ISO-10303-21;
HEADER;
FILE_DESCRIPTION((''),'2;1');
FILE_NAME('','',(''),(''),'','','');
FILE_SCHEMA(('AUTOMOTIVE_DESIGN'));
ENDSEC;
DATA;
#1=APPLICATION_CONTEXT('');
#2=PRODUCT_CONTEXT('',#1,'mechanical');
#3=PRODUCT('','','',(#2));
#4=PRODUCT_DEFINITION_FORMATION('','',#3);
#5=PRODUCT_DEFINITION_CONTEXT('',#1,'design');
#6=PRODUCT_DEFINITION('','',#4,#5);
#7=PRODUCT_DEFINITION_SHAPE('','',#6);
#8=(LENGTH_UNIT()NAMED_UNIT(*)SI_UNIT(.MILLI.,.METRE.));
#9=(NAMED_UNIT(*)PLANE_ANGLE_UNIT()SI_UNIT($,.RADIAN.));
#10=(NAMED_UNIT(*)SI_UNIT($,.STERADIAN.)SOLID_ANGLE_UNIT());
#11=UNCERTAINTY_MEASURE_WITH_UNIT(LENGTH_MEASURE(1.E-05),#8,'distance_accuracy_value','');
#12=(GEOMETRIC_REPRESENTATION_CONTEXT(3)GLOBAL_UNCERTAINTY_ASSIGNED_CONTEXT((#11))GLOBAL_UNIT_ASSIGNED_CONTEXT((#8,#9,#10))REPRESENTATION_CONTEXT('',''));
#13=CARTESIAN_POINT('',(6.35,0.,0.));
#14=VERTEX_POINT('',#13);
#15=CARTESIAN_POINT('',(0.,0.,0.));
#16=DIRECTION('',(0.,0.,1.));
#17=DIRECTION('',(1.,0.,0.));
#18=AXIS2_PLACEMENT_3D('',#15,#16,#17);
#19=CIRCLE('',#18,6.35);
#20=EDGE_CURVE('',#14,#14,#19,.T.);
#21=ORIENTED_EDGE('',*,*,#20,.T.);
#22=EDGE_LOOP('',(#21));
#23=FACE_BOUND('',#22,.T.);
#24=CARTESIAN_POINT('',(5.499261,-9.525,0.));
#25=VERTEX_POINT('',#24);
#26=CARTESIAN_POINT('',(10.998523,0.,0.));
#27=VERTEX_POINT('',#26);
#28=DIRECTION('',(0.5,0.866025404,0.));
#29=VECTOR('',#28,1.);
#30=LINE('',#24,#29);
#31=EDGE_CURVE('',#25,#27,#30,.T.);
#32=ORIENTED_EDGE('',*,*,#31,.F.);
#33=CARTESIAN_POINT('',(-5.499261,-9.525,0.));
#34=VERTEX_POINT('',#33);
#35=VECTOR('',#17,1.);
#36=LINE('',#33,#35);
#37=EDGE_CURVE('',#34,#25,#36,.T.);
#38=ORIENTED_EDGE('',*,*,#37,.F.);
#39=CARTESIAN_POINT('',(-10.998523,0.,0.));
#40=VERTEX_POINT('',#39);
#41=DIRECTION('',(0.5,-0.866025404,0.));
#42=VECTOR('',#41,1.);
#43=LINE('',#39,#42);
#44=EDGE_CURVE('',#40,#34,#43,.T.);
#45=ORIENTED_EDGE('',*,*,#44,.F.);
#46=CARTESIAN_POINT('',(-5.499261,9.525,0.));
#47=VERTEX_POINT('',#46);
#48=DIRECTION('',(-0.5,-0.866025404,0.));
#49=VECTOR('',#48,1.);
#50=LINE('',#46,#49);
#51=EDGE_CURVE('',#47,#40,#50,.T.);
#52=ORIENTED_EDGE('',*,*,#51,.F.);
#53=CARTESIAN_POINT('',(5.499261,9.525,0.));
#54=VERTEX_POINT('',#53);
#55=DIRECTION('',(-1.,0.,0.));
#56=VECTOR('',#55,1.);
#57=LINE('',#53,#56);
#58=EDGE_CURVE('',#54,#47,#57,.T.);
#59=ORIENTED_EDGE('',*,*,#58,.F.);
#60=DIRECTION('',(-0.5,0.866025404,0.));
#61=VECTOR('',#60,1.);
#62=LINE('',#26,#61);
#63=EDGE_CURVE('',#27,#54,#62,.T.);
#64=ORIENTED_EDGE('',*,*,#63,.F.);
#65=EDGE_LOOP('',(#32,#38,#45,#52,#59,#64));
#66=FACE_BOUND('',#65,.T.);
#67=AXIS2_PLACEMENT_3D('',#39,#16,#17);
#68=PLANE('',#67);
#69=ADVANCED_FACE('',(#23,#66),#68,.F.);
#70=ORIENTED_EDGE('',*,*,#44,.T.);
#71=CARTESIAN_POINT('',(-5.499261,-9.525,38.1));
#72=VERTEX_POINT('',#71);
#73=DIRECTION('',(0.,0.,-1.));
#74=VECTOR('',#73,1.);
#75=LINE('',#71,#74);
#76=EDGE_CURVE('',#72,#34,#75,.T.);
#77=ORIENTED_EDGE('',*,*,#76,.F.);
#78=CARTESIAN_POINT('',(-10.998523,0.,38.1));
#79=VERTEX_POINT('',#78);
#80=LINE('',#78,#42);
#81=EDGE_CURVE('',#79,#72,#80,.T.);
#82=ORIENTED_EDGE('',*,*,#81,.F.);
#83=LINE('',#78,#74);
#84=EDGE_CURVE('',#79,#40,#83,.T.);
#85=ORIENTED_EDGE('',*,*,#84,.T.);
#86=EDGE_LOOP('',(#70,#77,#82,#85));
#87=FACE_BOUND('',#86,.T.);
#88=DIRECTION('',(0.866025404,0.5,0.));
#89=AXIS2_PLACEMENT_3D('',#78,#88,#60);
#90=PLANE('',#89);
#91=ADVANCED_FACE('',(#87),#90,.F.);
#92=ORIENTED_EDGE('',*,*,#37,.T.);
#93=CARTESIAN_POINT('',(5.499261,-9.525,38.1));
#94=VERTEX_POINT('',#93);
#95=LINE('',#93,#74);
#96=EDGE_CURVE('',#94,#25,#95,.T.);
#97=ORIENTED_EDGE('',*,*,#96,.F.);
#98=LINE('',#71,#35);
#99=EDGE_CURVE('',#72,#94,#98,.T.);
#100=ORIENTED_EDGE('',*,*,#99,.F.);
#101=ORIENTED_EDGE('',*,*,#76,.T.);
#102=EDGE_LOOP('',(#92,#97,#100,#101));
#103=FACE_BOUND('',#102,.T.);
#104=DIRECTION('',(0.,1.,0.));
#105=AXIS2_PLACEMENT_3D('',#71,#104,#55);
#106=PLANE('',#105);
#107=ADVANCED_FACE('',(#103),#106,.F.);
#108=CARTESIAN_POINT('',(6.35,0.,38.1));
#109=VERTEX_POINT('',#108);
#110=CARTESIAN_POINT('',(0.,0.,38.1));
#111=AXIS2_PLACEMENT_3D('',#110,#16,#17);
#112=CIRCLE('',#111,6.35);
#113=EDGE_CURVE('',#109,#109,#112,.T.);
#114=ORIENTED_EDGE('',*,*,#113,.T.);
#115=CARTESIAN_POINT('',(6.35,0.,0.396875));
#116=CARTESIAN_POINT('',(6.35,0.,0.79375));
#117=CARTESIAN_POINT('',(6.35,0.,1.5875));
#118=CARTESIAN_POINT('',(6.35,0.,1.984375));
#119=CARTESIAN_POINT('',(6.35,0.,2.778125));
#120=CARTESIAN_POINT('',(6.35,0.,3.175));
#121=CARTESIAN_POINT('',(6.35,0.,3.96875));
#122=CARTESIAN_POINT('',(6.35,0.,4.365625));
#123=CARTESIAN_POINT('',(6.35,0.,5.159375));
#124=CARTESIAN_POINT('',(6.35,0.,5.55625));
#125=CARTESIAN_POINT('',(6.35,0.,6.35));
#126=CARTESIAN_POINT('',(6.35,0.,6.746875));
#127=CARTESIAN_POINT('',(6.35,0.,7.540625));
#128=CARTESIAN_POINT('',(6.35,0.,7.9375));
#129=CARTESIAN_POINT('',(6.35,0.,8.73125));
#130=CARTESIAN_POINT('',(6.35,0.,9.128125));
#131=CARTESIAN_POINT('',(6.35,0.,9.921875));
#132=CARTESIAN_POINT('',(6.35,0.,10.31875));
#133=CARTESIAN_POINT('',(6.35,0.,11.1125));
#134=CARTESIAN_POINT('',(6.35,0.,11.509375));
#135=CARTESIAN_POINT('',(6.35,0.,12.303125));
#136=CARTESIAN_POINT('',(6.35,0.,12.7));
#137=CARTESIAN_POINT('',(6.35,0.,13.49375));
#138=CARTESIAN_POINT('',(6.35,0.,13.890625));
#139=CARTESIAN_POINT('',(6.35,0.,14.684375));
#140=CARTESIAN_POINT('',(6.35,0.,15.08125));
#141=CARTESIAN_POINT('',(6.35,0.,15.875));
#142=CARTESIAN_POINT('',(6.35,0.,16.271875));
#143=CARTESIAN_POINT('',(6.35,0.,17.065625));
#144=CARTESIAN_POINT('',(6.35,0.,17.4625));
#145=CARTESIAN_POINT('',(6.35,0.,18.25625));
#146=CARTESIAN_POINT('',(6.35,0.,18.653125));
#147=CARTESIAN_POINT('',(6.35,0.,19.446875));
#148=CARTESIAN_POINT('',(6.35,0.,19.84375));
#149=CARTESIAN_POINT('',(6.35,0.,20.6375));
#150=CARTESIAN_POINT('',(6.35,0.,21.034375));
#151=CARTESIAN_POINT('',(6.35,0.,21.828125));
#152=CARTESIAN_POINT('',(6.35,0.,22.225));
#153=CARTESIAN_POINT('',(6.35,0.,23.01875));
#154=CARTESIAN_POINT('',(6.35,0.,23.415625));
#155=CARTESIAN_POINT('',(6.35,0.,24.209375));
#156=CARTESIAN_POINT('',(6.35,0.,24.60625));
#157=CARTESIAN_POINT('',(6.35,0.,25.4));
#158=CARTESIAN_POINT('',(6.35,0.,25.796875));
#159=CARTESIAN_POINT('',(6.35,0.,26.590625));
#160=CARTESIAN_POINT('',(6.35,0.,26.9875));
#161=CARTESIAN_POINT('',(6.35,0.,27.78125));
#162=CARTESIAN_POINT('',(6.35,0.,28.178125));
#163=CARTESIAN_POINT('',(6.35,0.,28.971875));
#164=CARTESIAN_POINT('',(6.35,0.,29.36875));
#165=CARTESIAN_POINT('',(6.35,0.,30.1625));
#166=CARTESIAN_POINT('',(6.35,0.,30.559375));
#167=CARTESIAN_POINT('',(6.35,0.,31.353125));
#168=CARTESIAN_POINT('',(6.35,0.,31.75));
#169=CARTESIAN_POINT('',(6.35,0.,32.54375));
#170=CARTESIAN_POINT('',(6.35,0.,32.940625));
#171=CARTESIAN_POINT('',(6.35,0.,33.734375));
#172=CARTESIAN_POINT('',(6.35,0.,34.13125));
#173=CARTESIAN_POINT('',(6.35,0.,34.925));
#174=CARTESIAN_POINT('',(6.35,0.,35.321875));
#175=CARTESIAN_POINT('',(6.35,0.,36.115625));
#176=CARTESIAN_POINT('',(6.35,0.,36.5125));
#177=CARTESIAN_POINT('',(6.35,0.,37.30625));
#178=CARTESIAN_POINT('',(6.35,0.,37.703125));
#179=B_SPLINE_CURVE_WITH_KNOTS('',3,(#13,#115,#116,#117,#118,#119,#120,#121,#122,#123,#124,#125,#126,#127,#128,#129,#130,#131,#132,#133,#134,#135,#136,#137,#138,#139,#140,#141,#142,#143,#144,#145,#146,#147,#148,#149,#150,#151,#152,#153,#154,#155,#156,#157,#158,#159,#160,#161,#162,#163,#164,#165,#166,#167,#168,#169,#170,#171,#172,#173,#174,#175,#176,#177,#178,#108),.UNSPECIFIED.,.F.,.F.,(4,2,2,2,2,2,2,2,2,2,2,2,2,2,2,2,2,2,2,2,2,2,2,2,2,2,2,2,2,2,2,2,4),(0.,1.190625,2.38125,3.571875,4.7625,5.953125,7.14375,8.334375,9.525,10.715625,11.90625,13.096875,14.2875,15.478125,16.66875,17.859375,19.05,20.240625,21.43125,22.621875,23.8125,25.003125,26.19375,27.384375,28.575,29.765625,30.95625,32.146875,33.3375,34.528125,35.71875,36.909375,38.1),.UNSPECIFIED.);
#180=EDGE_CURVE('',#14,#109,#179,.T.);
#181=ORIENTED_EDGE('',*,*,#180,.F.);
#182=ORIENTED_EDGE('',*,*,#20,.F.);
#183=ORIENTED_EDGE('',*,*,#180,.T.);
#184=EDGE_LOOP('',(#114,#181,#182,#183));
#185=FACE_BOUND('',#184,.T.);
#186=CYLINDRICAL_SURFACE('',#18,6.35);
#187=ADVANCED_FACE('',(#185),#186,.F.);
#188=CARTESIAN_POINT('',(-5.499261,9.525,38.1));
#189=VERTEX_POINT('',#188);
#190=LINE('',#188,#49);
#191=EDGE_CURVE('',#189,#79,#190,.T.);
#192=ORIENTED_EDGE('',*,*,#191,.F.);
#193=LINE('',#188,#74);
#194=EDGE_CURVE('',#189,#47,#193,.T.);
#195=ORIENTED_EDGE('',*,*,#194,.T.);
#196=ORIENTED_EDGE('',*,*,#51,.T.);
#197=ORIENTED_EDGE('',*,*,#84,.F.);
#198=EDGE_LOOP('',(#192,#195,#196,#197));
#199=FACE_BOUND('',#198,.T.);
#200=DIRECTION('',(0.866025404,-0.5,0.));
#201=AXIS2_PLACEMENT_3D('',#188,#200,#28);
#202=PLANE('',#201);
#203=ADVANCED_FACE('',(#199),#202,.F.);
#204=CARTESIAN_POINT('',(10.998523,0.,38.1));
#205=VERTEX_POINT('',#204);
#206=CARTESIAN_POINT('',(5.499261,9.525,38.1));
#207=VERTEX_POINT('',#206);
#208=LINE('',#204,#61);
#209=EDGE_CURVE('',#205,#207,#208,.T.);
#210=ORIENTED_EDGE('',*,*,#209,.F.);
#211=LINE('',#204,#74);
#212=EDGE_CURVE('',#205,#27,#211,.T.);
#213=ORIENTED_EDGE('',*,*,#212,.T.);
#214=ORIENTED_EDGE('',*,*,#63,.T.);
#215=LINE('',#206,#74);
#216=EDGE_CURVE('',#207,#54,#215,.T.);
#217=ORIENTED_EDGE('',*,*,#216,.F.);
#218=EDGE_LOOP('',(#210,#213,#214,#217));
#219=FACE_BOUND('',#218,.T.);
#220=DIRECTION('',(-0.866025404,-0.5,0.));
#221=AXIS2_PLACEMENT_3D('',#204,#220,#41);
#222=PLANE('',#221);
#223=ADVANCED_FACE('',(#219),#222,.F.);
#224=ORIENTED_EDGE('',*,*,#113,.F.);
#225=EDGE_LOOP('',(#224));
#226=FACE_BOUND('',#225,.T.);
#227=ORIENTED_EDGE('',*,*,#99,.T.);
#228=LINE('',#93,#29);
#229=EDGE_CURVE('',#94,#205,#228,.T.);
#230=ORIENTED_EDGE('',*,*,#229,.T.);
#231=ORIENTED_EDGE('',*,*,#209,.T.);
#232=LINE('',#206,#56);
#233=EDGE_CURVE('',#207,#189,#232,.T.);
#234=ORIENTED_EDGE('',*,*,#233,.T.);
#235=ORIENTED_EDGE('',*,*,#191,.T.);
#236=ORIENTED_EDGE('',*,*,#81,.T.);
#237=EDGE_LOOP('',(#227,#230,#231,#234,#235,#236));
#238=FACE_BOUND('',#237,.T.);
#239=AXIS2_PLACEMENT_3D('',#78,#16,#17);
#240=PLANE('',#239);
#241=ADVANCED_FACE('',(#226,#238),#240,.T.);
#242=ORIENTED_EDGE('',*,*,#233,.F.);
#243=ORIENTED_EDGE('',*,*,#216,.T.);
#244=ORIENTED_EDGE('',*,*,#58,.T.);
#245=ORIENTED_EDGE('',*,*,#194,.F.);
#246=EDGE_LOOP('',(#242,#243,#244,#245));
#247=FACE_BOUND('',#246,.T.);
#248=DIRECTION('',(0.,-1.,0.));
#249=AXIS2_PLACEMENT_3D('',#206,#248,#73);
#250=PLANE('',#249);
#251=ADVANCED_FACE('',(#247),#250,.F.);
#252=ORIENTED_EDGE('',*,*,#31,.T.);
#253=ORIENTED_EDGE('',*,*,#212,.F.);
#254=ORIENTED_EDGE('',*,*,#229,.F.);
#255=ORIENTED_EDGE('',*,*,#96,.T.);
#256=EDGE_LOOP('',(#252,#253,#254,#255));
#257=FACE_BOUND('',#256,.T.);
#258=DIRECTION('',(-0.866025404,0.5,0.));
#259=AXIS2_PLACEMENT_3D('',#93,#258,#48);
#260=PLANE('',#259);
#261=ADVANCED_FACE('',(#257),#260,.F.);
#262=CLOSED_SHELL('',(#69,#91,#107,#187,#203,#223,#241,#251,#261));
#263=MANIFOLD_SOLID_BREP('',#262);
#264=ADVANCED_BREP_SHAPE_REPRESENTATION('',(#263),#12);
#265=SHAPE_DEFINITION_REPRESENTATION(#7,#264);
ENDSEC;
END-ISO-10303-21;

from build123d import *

# Parameters (mm, degrees)
BOSS_EXTRUDE1_DEPTH = 38.1
SKETCH2_R           = 6.35
CUT_EXTRUDE1_DEPTH  = 41.783613437


with BuildPart() as part:
    # Sketch1 → Boss-Extrude1 (new body)
    with BuildSketch(Plane.XY):
        Polygon((-10.998522628, 0), (-5.499261314, -9.525), (5.499261314, -9.525), (10.998522628, 0), (5.499261314, 9.525), (-5.499261314, 9.525), align=None)
    extrude(amount=BOSS_EXTRUDE1_DEPTH)

    # Sketch2 → Cut-Extrude1 (cut, through all)
    with BuildSketch(Plane.XY.offset(38.1)):
        Circle(SKETCH2_R)
    extrude(amount=-CUT_EXTRUDE1_DEPTH, mode=Mode.SUBTRACT)


solid = part.part
